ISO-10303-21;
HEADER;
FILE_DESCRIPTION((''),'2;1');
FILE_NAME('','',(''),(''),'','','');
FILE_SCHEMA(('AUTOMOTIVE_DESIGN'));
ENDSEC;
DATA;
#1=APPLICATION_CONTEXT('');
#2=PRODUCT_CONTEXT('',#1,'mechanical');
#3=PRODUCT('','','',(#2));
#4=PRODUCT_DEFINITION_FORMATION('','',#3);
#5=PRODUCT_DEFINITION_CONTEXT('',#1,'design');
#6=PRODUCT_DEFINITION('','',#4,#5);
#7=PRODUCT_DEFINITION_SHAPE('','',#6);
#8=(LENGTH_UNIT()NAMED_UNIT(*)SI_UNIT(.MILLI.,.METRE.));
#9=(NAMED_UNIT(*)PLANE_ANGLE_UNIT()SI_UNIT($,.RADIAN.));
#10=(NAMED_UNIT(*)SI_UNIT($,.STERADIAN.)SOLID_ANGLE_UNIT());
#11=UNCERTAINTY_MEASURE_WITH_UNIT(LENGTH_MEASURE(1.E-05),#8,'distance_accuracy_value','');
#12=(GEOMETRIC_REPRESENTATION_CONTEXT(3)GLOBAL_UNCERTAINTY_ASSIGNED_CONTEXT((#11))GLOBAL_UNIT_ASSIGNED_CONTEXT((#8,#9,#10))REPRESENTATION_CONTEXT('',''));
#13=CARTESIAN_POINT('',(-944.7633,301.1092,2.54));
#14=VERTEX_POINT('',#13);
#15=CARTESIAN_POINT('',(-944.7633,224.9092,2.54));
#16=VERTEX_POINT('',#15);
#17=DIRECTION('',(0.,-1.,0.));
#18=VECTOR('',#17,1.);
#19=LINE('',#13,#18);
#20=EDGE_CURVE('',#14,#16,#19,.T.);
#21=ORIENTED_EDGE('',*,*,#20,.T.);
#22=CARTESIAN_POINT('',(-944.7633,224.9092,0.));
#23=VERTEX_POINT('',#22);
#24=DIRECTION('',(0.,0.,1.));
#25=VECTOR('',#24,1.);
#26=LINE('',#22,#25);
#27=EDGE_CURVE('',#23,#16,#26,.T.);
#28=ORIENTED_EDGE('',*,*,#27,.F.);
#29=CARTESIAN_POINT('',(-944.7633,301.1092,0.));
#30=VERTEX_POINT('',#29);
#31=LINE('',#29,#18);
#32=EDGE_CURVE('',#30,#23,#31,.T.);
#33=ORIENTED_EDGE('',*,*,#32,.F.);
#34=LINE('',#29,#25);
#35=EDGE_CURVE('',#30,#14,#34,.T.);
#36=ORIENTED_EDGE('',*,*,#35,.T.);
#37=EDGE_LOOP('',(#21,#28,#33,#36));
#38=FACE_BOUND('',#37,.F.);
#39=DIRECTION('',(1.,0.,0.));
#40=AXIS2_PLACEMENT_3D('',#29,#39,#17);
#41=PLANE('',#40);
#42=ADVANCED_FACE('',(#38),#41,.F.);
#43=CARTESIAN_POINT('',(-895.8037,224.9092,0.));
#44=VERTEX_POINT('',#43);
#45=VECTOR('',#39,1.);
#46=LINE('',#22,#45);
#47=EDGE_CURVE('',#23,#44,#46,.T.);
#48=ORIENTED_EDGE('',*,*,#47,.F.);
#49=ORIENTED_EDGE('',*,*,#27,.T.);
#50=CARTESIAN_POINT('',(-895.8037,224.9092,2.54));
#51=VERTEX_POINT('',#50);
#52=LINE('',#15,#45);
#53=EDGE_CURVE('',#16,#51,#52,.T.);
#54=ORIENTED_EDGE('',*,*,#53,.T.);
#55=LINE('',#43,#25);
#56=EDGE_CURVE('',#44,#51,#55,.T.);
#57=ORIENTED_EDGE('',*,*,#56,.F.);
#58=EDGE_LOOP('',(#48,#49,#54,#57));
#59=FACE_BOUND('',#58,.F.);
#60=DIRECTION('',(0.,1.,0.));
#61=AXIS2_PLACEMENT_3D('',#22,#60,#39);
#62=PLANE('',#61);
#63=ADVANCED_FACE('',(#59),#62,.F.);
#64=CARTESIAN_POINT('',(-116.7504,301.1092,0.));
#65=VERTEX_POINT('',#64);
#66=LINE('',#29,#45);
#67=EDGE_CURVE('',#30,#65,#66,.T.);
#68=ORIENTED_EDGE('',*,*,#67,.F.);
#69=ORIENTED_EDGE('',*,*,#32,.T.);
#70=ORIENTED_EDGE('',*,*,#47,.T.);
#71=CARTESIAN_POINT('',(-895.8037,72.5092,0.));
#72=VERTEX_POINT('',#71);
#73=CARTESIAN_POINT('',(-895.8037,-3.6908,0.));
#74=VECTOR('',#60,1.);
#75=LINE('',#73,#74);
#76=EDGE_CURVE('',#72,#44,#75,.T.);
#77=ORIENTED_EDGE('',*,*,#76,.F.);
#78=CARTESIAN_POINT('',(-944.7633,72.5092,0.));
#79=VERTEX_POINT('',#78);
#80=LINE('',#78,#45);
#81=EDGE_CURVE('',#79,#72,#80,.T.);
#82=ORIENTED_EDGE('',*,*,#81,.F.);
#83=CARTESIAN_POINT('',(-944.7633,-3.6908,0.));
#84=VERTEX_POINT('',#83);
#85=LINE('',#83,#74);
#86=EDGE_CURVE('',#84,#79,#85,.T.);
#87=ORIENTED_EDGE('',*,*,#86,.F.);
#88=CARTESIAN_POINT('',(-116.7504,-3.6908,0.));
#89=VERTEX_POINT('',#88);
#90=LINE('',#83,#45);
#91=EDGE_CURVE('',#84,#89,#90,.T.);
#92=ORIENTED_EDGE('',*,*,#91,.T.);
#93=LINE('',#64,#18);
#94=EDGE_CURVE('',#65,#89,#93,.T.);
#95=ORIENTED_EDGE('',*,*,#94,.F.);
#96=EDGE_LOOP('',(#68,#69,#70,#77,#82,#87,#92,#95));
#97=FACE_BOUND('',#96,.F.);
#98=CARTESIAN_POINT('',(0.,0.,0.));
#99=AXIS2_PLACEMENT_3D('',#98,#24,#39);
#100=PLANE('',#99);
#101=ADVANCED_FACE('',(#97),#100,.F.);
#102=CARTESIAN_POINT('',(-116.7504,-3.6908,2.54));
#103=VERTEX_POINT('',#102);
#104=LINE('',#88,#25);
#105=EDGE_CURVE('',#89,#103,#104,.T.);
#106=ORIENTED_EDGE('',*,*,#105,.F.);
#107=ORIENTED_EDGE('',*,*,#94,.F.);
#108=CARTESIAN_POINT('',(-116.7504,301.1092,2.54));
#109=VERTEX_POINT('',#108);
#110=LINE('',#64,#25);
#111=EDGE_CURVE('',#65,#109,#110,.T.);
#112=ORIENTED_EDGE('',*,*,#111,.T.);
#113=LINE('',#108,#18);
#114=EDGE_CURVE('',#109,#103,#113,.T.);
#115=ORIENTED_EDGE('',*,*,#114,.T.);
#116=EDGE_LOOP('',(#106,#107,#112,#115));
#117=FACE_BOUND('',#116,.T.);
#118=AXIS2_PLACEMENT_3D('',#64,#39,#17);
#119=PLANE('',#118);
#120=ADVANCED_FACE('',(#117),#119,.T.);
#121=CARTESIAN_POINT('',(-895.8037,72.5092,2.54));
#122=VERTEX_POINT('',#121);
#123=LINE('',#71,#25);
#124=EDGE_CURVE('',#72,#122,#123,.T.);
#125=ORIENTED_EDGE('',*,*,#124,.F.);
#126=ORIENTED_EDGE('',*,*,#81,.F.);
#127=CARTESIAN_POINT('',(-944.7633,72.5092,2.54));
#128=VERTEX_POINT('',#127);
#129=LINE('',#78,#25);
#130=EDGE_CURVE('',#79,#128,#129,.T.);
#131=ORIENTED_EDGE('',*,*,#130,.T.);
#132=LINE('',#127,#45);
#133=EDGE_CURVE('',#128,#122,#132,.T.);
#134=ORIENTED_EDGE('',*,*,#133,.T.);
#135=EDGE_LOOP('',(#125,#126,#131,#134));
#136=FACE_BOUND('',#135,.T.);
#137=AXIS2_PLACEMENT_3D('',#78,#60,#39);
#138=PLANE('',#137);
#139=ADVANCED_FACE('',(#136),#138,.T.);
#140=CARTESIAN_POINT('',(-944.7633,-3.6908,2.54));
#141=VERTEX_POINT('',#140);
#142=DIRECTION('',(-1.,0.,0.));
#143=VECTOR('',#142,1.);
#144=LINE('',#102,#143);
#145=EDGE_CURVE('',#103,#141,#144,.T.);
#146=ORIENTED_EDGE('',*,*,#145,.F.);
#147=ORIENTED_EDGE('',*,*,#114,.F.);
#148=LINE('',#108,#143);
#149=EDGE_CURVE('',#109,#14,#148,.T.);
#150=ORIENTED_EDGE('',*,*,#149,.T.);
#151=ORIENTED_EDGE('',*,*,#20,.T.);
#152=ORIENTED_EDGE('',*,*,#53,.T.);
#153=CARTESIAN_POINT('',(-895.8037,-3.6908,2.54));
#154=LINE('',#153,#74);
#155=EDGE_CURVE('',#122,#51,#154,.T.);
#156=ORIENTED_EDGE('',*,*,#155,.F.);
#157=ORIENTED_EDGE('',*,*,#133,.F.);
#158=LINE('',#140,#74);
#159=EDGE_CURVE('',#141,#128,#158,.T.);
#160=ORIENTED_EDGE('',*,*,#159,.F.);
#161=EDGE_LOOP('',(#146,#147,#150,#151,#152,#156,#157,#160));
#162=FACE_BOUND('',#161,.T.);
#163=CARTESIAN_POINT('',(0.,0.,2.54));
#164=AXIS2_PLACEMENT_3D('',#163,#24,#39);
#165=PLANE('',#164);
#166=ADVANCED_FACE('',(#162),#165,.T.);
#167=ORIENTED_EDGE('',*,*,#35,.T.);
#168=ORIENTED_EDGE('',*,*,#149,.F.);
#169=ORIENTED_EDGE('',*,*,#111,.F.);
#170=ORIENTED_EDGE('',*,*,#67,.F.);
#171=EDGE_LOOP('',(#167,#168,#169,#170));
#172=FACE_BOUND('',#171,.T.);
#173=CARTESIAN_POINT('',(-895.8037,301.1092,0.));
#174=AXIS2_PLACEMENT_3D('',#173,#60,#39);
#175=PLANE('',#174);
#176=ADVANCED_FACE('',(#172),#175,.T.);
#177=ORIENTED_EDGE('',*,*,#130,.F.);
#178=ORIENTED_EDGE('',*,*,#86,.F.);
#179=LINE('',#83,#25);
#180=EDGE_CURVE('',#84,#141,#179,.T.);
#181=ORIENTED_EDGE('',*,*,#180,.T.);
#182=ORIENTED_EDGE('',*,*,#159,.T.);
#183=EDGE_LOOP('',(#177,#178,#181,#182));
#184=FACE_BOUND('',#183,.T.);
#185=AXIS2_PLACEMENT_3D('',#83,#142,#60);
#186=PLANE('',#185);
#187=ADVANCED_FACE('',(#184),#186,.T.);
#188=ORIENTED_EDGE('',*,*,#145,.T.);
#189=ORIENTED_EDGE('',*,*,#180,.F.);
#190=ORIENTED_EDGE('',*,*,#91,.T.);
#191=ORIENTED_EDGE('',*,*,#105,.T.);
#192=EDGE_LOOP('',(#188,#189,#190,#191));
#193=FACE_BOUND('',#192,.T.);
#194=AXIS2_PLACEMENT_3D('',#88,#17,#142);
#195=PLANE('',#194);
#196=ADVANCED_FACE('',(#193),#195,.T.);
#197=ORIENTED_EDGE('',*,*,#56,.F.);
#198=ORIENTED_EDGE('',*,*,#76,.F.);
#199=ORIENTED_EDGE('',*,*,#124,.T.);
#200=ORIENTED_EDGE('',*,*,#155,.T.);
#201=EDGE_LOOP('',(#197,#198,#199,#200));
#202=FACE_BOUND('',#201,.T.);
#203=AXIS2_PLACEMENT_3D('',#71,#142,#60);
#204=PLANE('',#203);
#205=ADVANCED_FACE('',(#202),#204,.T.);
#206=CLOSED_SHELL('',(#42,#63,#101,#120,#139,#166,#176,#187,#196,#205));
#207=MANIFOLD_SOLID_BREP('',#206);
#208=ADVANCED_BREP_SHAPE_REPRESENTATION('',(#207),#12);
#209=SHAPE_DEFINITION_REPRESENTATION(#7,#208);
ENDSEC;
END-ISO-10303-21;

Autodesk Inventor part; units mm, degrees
ref_plane "YZ Plane" through (0, 0, 0) normal (1, 0, 0) x (0, 1, 0)
ref_plane "XZ Plane" through (0, 0, 0) normal (0, 1, 0) x (-1, 0, 0)
ref_plane "XY Plane" through (0, 0, 0) normal (0, 0, 1) x (1, 0, 0)
sketch "Sketch1" plane through (0, 0, 0) normal (0, 0, 1) x (1, 0, 0)
  line L0 (-116.7504, -3.6908) -> (-895.8037, -3.6908)
  line L1 (-895.8037, -3.6908) -> (-895.8037, 301.1092)
  line L2 (-895.8037, 301.1092) -> (-116.7504, 301.1092)
  line L3 (-116.7504, 301.1092) -> (-116.7504, -3.6908)
  line L4 (-895.8037, -3.6908) -> (-944.7633, -3.6908)
  line L5 (-944.7633, -3.6908) -> (-944.7633, 72.5092)
  line L6 (-944.7633, 72.5092) -> (-895.8037, 72.5092)
  line L7 (-895.8037, 72.5092) -> (-895.8037, -3.6908)
  line L8 (-895.8037, 301.1092) -> (-944.7633, 301.1092)
  line L9 (-944.7633, 301.1092) -> (-944.7633, 224.9092)
  line L10 (-944.7633, 224.9092) -> (-895.8037, 224.9092)
  line L11 (-895.8037, 224.9092) -> (-895.8037, 301.1092)
  line L12 (-116.5344, 301.1092) -> (-116.5344, -3.6908) projected
  point P0 (0, 0)
  dimension "d1" = 304.8
  dimension "d4" = 76.2
  dimension "d5" = 76.2
extrude "Extrusion1" add sketch "Sketch1" along normal blind 2.54
properties part number "plexiglass2" material "Glass"
